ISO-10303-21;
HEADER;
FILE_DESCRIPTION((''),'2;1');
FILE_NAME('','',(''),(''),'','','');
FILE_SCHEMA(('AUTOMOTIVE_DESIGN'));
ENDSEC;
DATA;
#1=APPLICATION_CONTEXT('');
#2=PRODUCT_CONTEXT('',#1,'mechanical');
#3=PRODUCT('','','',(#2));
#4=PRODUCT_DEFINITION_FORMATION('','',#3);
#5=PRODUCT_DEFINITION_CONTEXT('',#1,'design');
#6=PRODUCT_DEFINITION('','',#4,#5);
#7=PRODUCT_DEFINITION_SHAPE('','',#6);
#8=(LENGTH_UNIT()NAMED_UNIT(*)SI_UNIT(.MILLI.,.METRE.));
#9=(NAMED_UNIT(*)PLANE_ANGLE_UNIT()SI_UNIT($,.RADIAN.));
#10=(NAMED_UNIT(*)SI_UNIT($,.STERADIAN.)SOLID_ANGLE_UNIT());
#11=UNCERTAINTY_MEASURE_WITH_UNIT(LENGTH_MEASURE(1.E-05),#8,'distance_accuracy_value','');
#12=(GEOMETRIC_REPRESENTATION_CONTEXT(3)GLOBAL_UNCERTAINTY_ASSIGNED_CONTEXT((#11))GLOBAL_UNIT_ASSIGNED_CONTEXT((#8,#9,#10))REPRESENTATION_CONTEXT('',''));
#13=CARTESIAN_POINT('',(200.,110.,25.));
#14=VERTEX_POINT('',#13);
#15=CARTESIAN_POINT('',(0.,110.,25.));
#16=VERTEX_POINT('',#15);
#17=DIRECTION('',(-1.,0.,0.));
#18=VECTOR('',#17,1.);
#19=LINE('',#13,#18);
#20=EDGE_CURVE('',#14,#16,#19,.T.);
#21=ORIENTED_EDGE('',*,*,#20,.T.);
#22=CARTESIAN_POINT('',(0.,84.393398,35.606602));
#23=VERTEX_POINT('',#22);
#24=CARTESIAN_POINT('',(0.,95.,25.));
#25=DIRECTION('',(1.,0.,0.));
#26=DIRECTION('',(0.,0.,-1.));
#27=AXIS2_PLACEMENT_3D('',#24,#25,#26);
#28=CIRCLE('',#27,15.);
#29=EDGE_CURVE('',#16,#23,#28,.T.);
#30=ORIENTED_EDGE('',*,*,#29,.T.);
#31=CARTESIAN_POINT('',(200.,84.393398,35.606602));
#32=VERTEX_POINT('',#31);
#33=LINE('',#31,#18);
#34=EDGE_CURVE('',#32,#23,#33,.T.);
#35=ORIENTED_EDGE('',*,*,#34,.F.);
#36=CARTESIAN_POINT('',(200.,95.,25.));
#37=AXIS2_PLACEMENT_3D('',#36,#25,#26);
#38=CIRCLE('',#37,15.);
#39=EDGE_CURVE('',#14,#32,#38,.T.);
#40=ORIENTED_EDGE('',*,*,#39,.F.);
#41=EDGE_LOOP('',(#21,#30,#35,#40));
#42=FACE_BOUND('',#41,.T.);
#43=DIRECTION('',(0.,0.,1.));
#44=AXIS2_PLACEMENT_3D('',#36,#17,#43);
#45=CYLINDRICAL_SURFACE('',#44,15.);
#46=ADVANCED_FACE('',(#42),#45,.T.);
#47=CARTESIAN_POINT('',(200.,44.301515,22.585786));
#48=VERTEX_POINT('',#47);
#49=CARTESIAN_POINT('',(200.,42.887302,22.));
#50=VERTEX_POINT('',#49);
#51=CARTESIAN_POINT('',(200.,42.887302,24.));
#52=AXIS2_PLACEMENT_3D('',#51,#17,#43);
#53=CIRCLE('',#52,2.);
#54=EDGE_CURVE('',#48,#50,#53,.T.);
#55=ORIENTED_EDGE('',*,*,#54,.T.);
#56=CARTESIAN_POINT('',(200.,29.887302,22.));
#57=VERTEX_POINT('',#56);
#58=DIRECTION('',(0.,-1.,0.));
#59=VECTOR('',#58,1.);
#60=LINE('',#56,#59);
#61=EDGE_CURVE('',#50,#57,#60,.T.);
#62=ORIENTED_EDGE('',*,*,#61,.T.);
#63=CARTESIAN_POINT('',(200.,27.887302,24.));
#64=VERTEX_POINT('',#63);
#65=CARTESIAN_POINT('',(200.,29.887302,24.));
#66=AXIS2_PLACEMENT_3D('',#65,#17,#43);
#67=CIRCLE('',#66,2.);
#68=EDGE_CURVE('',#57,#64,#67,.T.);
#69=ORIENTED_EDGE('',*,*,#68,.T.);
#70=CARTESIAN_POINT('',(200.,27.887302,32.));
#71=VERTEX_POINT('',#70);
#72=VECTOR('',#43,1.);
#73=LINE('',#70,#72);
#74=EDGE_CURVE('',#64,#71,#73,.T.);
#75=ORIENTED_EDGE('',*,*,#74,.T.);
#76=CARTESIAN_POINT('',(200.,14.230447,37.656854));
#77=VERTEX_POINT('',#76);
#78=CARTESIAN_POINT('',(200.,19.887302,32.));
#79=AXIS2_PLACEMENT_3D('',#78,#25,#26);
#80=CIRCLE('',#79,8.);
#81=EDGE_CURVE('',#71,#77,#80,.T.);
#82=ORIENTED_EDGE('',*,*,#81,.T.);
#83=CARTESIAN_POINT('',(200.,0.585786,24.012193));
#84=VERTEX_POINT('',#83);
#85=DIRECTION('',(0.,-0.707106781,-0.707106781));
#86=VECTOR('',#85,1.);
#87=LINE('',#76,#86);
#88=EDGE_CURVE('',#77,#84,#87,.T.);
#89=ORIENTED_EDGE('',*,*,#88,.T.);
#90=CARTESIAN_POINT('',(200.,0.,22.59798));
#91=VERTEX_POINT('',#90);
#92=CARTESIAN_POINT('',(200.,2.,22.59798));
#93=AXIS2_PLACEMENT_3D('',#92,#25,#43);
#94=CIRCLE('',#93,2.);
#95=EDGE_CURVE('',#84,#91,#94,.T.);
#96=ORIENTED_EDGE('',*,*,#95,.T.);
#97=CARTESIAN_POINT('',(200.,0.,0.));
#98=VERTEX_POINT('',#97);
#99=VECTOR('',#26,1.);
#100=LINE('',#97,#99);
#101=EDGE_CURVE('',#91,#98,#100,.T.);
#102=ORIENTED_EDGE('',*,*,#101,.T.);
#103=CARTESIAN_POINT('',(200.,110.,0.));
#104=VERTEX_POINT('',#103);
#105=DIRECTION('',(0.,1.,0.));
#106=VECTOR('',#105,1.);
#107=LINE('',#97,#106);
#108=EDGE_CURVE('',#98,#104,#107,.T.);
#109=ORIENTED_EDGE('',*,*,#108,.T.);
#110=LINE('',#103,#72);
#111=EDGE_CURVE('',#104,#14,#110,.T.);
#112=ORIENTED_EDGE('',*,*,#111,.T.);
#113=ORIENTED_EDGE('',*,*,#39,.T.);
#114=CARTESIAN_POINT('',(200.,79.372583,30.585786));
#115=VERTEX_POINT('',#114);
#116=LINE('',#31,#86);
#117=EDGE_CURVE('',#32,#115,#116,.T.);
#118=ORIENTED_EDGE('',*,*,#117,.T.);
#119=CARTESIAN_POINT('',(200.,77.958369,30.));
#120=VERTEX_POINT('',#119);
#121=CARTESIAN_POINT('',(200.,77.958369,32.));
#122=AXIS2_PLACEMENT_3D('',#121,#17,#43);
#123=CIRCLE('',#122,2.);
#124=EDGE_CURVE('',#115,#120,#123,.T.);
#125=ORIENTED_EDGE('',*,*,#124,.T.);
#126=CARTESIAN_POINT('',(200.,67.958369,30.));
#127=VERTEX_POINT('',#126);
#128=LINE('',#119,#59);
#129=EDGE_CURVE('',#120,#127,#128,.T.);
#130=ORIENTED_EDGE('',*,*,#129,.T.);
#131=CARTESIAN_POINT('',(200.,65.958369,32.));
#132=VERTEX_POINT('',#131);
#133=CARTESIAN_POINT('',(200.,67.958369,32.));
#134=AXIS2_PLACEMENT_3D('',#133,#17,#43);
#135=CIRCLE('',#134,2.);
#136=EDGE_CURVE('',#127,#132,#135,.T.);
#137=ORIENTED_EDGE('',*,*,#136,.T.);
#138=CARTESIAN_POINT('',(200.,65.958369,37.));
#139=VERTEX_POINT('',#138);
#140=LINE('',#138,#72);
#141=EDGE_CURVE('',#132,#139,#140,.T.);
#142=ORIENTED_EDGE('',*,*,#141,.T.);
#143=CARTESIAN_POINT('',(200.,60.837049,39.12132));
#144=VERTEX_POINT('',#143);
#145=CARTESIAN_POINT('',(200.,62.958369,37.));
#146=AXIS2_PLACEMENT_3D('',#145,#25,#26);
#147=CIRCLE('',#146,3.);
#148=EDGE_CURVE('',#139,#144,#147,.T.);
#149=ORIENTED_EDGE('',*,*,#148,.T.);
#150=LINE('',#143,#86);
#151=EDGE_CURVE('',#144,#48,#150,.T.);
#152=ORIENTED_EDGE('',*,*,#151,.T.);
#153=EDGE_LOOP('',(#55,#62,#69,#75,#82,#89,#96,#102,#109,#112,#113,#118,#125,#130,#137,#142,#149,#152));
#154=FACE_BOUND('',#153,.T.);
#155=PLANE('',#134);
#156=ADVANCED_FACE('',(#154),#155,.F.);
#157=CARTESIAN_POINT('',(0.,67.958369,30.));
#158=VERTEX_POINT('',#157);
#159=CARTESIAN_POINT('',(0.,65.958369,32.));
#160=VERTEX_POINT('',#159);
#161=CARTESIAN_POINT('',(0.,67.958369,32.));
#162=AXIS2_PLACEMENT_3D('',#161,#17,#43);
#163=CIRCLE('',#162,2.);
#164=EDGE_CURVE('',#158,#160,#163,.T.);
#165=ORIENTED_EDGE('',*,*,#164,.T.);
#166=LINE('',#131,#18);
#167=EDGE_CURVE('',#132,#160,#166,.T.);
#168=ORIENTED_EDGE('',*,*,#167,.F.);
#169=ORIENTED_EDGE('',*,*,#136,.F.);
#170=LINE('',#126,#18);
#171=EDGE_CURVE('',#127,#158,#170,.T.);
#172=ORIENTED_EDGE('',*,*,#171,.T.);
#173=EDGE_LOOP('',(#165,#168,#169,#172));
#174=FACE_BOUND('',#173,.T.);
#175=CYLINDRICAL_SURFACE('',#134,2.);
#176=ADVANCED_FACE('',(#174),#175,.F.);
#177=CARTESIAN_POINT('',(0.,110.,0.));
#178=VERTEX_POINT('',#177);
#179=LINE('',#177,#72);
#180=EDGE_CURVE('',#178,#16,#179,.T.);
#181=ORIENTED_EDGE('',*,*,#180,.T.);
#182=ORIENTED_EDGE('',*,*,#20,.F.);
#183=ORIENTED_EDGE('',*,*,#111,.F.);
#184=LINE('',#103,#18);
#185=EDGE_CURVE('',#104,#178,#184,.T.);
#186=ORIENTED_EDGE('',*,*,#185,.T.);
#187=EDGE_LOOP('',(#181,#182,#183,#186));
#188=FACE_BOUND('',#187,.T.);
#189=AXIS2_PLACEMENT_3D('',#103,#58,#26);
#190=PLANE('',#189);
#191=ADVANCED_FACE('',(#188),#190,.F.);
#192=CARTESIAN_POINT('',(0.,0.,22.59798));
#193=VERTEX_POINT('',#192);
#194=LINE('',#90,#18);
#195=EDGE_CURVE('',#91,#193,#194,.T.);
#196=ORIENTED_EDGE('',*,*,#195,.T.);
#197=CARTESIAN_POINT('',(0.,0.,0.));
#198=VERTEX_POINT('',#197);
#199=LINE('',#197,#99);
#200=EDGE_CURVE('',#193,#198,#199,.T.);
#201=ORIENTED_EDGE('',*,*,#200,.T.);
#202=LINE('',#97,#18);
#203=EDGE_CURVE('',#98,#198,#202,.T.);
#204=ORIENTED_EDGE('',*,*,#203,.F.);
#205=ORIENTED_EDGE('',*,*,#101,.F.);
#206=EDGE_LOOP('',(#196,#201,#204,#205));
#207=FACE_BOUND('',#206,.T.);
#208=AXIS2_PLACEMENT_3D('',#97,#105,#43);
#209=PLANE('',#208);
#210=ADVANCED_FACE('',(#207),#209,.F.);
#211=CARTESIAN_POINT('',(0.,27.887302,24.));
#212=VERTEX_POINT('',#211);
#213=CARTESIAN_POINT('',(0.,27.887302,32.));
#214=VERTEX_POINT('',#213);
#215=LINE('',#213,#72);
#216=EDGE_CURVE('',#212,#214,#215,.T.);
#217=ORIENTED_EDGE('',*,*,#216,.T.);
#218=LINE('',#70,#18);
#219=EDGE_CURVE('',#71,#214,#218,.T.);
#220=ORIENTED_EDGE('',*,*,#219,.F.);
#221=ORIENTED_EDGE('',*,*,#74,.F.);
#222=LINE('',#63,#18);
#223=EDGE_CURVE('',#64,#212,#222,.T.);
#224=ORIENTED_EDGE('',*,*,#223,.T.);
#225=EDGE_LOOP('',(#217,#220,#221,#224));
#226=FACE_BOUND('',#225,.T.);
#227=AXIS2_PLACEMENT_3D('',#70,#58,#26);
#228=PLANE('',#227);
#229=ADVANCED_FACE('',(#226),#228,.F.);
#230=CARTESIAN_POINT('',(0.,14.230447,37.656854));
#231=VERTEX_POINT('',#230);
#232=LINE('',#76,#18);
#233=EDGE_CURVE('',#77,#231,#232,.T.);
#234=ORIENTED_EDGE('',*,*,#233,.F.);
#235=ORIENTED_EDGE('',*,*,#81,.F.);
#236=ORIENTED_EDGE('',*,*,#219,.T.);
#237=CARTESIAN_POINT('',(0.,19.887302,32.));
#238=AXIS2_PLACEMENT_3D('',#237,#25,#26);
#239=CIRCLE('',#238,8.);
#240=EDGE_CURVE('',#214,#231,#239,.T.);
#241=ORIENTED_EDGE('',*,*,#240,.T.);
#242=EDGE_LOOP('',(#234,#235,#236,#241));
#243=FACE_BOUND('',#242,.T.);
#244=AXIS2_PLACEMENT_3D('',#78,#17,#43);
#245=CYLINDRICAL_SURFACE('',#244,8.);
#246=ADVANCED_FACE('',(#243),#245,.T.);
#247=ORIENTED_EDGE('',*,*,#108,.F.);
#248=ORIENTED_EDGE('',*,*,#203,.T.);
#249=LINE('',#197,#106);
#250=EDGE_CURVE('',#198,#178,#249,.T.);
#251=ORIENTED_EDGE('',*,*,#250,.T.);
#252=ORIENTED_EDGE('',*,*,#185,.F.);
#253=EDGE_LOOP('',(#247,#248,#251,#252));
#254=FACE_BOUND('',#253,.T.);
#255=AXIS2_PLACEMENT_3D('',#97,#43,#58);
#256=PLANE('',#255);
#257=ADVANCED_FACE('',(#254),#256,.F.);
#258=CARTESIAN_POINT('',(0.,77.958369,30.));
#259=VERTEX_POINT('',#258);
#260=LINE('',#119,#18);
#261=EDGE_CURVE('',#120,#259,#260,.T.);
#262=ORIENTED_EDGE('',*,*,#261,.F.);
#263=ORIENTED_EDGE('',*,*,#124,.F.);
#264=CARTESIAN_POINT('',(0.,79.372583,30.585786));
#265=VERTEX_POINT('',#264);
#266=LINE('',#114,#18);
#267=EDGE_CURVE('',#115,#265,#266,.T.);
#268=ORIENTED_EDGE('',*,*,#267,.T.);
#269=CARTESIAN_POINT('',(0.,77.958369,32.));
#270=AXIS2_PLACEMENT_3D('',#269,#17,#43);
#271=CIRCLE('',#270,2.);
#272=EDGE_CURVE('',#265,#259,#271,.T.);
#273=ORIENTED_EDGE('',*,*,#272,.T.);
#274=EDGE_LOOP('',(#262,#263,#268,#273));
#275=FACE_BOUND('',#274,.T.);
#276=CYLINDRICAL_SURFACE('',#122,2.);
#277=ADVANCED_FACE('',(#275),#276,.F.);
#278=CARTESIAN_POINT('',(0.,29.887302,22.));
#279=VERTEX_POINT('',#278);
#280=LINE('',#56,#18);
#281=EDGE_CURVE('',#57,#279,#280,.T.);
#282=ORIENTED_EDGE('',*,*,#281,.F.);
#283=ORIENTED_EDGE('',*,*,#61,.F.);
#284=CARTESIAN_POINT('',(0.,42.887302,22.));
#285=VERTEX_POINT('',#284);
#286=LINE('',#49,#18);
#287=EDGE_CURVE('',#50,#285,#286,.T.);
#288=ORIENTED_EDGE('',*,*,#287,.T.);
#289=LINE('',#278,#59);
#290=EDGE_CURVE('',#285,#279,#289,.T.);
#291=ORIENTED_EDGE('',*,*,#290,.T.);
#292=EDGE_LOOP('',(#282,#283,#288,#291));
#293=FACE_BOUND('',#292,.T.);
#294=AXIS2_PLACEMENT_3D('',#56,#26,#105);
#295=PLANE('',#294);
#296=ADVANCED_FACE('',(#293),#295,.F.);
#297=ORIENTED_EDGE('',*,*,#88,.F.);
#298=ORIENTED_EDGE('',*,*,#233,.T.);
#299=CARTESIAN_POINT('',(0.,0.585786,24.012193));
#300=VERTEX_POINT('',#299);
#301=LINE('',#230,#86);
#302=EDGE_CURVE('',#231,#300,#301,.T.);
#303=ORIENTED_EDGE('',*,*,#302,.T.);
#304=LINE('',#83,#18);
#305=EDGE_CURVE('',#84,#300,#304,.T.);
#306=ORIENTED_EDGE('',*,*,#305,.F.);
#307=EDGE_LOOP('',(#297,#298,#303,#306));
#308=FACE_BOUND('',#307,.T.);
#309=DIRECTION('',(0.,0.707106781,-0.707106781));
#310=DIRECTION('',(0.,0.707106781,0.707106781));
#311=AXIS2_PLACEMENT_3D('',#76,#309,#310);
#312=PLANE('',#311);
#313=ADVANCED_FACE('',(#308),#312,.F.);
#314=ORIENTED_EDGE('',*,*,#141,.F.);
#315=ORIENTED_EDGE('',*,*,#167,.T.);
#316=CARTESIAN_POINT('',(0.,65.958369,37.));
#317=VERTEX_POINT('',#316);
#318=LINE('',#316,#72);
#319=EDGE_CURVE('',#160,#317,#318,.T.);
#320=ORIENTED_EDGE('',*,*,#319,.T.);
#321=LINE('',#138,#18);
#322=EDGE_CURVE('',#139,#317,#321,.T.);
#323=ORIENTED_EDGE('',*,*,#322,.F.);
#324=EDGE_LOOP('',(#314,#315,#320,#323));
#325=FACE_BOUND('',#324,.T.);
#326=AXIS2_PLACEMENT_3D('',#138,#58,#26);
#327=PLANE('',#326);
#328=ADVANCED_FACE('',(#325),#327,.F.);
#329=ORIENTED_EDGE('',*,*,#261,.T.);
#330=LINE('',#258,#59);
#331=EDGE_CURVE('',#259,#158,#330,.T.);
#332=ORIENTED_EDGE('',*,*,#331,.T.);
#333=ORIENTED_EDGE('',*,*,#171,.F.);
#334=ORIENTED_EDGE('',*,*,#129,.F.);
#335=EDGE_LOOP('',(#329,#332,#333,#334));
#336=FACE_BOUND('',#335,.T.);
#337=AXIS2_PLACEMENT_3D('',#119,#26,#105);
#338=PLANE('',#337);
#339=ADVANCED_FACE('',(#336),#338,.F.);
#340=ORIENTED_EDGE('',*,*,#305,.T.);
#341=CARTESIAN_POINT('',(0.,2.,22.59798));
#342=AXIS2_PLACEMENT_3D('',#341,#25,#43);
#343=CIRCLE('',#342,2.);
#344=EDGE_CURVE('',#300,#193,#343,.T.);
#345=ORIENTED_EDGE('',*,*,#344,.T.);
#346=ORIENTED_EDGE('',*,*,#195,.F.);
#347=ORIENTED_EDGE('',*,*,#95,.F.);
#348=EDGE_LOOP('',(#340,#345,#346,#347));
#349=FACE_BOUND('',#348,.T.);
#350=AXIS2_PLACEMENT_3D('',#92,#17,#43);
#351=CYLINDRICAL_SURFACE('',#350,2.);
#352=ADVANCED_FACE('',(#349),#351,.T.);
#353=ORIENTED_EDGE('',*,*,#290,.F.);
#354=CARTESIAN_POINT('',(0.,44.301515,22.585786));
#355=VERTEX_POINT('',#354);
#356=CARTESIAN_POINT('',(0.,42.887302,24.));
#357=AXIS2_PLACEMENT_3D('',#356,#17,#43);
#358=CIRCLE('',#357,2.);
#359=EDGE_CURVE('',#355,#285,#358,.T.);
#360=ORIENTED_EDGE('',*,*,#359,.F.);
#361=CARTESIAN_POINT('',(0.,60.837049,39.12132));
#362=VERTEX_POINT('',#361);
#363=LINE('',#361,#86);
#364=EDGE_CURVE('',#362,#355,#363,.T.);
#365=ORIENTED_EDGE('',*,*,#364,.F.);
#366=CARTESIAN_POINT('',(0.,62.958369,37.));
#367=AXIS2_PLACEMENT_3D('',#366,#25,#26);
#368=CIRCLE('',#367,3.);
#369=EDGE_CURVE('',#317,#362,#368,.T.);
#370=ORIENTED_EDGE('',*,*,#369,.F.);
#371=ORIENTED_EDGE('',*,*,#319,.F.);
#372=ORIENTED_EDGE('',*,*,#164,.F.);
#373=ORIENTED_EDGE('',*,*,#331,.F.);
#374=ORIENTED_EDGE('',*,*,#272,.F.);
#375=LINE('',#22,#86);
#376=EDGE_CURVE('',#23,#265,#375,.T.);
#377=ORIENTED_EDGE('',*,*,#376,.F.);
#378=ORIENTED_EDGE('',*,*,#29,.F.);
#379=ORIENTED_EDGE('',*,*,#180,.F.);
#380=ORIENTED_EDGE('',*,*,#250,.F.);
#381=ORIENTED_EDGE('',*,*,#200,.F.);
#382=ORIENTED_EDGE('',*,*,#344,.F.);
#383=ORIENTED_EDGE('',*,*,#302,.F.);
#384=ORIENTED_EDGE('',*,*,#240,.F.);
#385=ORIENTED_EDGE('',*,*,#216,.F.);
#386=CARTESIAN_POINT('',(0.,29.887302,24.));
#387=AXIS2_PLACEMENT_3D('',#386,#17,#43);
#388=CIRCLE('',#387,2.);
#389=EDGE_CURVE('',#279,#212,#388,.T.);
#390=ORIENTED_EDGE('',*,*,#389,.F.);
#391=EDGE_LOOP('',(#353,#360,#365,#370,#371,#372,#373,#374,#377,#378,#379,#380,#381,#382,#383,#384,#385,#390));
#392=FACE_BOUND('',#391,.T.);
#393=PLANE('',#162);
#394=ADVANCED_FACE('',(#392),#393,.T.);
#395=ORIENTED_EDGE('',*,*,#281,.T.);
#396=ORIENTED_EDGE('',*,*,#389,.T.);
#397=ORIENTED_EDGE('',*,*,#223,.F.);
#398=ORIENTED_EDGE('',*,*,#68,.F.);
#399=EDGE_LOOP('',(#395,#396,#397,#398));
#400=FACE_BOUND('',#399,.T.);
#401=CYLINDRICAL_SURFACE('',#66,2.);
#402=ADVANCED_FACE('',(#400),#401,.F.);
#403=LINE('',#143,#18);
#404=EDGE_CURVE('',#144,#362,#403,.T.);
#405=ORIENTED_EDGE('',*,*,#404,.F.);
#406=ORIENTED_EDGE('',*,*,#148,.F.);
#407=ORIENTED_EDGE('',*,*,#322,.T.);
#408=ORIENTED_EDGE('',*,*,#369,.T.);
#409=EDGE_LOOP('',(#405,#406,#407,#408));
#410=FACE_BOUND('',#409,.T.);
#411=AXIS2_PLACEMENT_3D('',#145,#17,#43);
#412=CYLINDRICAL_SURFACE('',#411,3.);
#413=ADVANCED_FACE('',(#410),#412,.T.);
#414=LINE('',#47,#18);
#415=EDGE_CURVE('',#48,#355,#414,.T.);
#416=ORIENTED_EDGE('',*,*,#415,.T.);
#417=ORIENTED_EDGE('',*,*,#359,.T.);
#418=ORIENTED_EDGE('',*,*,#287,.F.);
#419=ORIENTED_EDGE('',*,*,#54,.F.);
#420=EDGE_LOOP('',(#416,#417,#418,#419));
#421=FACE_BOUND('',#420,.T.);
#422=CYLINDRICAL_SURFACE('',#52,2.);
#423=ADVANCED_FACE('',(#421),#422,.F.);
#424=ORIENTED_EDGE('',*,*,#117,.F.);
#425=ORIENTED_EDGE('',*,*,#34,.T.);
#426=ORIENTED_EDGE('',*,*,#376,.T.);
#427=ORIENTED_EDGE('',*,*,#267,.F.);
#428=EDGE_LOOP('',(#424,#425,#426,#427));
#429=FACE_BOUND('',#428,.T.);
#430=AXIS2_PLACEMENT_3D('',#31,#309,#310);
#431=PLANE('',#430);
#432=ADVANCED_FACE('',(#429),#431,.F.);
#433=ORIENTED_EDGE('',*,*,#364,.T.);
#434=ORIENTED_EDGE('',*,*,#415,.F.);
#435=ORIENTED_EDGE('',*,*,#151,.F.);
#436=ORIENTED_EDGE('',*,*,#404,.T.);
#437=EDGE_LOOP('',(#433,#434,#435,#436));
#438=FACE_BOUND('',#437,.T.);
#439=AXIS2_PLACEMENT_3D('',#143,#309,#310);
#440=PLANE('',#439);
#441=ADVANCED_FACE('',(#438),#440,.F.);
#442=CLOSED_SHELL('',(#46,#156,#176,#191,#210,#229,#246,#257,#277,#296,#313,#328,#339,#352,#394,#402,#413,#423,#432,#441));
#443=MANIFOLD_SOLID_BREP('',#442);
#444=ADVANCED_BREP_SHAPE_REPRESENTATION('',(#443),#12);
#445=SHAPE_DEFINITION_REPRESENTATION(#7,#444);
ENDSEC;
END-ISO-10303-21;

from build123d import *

# Parameters (mm, degrees)
SALIENTE_EXTRUIR1_DEPTH = 200


with BuildPart() as part:
    # Croquis1 → Saliente-Extruir1 (new body)
    with BuildSketch(Plane(origin=(0, 0, 0), x_dir=(0, 0, -1), z_dir=(1, 0, 0))):
        with BuildLine():
            Line((0, 0), (-22.597979746, 0))
            ThreePointArc((-22.597979746, 0), (-23.363346611, 0.152240935), (-24.012193309, 0.585786438))
            Line((-24.012193309, 0.585786438), (-37.656854249, 14.230447378))
            ThreePointArc((-37.656854249, 14.230447378), (-39.39103626, 22.948769087), (-32, 27.887301628))
            Line((-32, 27.887301628), (-24, 27.887301628))
            ThreePointArc((-24, 27.887301628), (-22.585786438, 28.473088065), (-22, 29.887301628))
            Line((-22, 29.887301628), (-22, 42.887301628))
            ThreePointArc((-22, 42.887301628), (-22.152240935, 43.652668493), (-22.585786438, 44.30151519))
            Line((-22.585786438, 44.30151519), (-39.121320344, 60.837049096))
            ThreePointArc((-39.121320344, 60.837049096), (-39.771638598, 64.106419737), (-37, 65.95836944))
            Line((-37, 65.95836944), (-32, 65.95836944))
            ThreePointArc((-32, 65.95836944), (-30.585786438, 66.544155877), (-30, 67.95836944))
            Line((-30, 67.95836944), (-30, 77.95836944))
            ThreePointArc((-30, 77.95836944), (-30.152240935, 78.723736304), (-30.585786438, 79.372583002))
            Line((-30.585786438, 79.372583002), (-35.606601718, 84.393398282))
            ThreePointArc((-35.606601718, 84.393398282), (-38.858192988, 100.740251485), (-25, 110))
            Line((-25, 110), (0, 110))
            Line((0, 110), (0, 0))
        make_face()
    extrude(amount=SALIENTE_EXTRUIR1_DEPTH)


solid = part.part
